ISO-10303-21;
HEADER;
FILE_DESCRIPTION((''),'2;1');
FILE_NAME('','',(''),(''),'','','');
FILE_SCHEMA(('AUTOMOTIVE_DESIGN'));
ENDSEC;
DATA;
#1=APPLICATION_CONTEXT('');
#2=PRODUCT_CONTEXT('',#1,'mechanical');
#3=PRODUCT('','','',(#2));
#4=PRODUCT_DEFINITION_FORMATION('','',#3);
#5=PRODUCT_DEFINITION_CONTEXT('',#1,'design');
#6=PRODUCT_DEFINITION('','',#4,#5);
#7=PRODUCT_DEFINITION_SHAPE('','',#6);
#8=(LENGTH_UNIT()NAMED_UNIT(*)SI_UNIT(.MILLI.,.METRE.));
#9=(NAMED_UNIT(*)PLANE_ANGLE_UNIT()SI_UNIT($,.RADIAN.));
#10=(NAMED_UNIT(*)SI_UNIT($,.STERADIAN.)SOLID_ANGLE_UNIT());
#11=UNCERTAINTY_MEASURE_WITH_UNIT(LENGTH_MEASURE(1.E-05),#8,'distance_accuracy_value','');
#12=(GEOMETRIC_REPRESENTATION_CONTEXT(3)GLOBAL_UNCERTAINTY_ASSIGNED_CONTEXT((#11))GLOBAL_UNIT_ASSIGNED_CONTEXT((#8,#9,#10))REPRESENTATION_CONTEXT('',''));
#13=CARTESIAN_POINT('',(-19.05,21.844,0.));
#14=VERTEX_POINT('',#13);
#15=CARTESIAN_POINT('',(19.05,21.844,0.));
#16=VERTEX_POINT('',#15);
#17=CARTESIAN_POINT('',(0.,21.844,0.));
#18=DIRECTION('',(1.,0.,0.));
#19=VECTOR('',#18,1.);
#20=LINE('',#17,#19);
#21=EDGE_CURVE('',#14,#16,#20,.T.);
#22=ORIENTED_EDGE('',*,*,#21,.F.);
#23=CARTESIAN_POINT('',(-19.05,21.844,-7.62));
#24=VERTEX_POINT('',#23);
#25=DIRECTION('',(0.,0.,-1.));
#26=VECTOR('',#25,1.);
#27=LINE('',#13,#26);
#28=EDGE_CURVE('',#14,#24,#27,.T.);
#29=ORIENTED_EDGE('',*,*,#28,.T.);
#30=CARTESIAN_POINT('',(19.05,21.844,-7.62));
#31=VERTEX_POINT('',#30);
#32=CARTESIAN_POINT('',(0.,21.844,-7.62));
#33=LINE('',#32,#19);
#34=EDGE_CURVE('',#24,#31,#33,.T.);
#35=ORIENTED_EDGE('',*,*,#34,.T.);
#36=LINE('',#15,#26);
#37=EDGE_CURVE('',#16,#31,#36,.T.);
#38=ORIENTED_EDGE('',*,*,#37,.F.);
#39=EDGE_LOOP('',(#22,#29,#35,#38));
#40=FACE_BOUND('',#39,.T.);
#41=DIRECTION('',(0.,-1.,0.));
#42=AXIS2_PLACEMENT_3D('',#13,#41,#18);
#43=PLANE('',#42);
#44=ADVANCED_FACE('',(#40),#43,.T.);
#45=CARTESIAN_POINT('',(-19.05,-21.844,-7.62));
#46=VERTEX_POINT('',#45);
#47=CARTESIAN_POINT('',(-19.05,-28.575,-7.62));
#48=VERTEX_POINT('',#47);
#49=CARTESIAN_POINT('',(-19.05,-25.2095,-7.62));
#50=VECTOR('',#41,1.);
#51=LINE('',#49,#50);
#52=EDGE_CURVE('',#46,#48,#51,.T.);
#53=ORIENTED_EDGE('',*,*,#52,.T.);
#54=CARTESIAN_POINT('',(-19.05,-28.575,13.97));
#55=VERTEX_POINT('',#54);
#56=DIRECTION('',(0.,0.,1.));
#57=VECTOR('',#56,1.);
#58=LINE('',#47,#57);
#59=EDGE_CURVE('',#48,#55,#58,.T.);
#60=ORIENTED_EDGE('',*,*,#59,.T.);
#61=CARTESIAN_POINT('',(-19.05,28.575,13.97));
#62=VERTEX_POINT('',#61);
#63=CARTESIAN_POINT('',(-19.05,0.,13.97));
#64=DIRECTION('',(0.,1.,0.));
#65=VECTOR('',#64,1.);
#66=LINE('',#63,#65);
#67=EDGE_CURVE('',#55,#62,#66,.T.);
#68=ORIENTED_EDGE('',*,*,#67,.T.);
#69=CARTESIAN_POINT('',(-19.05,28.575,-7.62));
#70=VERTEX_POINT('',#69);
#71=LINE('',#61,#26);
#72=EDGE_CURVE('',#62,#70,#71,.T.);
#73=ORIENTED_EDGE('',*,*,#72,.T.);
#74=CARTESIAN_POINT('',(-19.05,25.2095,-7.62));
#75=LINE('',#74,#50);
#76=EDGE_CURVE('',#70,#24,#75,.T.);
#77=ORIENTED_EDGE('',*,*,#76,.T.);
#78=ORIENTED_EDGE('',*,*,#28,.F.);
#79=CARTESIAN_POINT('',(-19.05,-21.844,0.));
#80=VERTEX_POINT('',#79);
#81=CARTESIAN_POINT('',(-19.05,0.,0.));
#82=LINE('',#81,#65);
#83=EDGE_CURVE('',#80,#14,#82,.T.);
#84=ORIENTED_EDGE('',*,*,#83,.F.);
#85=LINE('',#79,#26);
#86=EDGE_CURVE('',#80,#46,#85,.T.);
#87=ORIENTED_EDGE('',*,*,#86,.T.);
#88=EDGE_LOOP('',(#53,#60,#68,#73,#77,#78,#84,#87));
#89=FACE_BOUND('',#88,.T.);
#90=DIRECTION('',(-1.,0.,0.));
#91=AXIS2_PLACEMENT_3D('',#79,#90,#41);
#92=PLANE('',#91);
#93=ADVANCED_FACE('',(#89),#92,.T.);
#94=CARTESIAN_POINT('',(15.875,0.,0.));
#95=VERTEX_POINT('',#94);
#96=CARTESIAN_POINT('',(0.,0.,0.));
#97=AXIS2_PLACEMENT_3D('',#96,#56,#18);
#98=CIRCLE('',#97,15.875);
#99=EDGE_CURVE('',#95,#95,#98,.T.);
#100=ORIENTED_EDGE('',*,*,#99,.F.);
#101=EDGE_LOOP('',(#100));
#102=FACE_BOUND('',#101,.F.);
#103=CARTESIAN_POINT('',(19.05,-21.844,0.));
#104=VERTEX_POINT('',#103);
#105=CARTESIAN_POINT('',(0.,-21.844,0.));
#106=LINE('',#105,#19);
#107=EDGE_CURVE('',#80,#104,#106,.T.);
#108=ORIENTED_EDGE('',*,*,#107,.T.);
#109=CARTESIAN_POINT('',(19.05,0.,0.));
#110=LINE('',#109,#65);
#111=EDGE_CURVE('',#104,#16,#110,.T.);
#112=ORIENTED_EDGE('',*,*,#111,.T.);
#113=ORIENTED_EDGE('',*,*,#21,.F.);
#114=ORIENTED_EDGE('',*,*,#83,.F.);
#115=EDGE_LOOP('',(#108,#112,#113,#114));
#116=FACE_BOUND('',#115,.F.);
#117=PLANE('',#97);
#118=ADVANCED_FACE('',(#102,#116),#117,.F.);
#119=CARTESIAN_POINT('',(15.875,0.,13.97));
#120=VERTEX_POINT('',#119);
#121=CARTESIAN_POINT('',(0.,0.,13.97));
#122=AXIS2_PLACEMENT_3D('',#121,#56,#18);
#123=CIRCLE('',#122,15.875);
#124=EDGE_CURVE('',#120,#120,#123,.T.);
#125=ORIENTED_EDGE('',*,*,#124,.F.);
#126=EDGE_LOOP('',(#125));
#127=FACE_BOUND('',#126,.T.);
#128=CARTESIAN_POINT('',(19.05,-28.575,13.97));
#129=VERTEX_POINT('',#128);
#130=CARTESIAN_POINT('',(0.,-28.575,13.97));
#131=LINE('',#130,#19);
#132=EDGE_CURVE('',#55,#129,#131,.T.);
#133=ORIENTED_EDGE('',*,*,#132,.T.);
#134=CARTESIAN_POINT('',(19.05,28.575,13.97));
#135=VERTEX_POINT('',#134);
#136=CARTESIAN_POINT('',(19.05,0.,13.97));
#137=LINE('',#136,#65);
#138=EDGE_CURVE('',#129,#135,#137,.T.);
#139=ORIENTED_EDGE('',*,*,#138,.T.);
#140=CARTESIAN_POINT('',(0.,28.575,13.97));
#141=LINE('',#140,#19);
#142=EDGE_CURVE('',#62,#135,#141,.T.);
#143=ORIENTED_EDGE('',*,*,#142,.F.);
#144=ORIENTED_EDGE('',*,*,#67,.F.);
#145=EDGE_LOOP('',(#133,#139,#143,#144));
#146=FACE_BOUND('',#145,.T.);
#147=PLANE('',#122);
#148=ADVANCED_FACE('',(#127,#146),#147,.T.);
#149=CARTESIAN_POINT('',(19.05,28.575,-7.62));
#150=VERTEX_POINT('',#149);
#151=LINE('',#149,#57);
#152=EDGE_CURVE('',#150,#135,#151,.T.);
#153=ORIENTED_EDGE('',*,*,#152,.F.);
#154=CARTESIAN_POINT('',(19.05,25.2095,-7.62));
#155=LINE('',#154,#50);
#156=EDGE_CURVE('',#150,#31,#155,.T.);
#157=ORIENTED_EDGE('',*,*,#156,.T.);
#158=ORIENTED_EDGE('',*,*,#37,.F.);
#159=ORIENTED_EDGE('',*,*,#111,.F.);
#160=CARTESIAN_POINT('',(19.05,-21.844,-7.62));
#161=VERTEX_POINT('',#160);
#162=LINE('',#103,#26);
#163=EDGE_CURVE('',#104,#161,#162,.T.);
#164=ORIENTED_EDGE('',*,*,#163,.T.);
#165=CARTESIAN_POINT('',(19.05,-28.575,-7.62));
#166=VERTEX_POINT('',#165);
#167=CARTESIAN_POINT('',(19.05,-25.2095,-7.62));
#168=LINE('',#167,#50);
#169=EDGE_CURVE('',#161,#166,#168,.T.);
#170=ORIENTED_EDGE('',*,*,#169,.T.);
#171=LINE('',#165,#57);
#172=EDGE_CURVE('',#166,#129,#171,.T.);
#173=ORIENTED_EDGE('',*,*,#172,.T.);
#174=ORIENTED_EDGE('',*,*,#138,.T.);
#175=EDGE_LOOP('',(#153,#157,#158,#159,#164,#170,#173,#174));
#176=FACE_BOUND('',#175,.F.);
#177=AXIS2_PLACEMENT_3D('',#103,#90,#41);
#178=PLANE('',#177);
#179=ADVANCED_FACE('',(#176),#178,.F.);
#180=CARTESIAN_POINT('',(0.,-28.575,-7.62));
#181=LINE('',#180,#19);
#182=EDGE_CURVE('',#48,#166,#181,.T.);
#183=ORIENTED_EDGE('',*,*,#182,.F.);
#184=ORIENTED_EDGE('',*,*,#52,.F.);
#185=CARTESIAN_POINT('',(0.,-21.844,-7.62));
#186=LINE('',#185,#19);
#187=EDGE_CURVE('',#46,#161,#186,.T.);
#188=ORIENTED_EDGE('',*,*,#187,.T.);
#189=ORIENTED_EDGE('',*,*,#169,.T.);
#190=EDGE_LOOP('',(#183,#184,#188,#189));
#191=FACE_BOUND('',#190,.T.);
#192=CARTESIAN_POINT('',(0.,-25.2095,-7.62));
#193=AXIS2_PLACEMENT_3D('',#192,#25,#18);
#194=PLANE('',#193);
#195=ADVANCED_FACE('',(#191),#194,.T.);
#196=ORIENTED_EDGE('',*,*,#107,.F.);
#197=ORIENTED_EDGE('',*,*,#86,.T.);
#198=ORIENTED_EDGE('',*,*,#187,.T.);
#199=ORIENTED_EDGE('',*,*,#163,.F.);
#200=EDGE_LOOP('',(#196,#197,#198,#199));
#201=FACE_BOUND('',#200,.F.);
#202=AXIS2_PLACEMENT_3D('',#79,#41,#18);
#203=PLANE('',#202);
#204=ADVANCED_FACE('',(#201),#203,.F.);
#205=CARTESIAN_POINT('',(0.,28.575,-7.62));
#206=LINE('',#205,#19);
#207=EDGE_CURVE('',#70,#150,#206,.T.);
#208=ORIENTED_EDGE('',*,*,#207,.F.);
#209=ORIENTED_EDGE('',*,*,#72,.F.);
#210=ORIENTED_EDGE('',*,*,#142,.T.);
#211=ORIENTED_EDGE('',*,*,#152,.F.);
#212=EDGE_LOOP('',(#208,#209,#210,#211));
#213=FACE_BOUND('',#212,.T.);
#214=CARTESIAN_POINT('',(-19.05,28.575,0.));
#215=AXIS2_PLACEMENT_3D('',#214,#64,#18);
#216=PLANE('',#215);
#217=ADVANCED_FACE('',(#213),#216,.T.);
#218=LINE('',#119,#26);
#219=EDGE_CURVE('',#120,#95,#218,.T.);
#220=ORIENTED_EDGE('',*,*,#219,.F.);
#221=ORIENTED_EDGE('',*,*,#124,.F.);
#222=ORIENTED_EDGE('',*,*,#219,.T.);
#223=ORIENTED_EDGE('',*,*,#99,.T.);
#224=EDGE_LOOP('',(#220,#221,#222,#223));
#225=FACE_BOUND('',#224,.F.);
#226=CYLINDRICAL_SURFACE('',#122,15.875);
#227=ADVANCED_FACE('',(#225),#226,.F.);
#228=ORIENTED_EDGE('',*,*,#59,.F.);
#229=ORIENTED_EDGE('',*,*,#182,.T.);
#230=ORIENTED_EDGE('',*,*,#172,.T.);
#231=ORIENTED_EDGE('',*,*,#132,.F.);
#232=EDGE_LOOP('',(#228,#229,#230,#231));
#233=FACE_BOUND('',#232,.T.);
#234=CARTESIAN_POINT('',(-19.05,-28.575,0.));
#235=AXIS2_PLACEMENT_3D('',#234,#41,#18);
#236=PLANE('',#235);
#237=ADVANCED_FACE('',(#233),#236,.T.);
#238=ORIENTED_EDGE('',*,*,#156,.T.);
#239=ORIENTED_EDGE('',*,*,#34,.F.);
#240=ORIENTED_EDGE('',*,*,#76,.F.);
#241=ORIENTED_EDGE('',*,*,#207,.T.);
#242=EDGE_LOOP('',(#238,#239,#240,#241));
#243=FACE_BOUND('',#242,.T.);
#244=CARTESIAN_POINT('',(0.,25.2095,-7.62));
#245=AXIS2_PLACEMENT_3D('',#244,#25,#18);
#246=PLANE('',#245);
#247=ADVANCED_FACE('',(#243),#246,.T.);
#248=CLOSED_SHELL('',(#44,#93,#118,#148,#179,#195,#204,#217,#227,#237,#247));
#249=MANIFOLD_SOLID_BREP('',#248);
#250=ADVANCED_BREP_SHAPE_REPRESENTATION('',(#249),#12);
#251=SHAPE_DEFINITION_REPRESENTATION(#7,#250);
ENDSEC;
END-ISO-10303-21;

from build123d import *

# Parameters (mm, degrees)
F0_W     = 38.1
F0_H     = 57.15
F1_DEPTH = 13.97
F2_R     = 15.875
F3_DEPTH = 25.4
F4_W     = 38.1
F4_H     = 6.731
F5_DEPTH = 7.62


with BuildPart() as f1:
    # F0 (on Top) → F1 (new body)
    with BuildSketch(Plane.XY):
        Rectangle(F0_W, F0_H)
    extrude(amount=F1_DEPTH)

    # F2 (on face) → F3 (cut)
    with BuildSketch(Plane.XY.offset(13.97)):
        Circle(F2_R)
    extrude(amount=-F3_DEPTH, mode=Mode.SUBTRACT)

    # F4 (on face) → F5 (join)
    with BuildSketch(Plane(origin=(0, 0, 0), x_dir=(1, 0, 0), z_dir=(0, 0, -1))):
        with Locations((0, 25.2095)):
            Rectangle(F4_W, F4_H)
        with Locations((0, -25.2095)):
            Rectangle(F4_W, F4_H)
    extrude(amount=F5_DEPTH)


solid = f1.part
